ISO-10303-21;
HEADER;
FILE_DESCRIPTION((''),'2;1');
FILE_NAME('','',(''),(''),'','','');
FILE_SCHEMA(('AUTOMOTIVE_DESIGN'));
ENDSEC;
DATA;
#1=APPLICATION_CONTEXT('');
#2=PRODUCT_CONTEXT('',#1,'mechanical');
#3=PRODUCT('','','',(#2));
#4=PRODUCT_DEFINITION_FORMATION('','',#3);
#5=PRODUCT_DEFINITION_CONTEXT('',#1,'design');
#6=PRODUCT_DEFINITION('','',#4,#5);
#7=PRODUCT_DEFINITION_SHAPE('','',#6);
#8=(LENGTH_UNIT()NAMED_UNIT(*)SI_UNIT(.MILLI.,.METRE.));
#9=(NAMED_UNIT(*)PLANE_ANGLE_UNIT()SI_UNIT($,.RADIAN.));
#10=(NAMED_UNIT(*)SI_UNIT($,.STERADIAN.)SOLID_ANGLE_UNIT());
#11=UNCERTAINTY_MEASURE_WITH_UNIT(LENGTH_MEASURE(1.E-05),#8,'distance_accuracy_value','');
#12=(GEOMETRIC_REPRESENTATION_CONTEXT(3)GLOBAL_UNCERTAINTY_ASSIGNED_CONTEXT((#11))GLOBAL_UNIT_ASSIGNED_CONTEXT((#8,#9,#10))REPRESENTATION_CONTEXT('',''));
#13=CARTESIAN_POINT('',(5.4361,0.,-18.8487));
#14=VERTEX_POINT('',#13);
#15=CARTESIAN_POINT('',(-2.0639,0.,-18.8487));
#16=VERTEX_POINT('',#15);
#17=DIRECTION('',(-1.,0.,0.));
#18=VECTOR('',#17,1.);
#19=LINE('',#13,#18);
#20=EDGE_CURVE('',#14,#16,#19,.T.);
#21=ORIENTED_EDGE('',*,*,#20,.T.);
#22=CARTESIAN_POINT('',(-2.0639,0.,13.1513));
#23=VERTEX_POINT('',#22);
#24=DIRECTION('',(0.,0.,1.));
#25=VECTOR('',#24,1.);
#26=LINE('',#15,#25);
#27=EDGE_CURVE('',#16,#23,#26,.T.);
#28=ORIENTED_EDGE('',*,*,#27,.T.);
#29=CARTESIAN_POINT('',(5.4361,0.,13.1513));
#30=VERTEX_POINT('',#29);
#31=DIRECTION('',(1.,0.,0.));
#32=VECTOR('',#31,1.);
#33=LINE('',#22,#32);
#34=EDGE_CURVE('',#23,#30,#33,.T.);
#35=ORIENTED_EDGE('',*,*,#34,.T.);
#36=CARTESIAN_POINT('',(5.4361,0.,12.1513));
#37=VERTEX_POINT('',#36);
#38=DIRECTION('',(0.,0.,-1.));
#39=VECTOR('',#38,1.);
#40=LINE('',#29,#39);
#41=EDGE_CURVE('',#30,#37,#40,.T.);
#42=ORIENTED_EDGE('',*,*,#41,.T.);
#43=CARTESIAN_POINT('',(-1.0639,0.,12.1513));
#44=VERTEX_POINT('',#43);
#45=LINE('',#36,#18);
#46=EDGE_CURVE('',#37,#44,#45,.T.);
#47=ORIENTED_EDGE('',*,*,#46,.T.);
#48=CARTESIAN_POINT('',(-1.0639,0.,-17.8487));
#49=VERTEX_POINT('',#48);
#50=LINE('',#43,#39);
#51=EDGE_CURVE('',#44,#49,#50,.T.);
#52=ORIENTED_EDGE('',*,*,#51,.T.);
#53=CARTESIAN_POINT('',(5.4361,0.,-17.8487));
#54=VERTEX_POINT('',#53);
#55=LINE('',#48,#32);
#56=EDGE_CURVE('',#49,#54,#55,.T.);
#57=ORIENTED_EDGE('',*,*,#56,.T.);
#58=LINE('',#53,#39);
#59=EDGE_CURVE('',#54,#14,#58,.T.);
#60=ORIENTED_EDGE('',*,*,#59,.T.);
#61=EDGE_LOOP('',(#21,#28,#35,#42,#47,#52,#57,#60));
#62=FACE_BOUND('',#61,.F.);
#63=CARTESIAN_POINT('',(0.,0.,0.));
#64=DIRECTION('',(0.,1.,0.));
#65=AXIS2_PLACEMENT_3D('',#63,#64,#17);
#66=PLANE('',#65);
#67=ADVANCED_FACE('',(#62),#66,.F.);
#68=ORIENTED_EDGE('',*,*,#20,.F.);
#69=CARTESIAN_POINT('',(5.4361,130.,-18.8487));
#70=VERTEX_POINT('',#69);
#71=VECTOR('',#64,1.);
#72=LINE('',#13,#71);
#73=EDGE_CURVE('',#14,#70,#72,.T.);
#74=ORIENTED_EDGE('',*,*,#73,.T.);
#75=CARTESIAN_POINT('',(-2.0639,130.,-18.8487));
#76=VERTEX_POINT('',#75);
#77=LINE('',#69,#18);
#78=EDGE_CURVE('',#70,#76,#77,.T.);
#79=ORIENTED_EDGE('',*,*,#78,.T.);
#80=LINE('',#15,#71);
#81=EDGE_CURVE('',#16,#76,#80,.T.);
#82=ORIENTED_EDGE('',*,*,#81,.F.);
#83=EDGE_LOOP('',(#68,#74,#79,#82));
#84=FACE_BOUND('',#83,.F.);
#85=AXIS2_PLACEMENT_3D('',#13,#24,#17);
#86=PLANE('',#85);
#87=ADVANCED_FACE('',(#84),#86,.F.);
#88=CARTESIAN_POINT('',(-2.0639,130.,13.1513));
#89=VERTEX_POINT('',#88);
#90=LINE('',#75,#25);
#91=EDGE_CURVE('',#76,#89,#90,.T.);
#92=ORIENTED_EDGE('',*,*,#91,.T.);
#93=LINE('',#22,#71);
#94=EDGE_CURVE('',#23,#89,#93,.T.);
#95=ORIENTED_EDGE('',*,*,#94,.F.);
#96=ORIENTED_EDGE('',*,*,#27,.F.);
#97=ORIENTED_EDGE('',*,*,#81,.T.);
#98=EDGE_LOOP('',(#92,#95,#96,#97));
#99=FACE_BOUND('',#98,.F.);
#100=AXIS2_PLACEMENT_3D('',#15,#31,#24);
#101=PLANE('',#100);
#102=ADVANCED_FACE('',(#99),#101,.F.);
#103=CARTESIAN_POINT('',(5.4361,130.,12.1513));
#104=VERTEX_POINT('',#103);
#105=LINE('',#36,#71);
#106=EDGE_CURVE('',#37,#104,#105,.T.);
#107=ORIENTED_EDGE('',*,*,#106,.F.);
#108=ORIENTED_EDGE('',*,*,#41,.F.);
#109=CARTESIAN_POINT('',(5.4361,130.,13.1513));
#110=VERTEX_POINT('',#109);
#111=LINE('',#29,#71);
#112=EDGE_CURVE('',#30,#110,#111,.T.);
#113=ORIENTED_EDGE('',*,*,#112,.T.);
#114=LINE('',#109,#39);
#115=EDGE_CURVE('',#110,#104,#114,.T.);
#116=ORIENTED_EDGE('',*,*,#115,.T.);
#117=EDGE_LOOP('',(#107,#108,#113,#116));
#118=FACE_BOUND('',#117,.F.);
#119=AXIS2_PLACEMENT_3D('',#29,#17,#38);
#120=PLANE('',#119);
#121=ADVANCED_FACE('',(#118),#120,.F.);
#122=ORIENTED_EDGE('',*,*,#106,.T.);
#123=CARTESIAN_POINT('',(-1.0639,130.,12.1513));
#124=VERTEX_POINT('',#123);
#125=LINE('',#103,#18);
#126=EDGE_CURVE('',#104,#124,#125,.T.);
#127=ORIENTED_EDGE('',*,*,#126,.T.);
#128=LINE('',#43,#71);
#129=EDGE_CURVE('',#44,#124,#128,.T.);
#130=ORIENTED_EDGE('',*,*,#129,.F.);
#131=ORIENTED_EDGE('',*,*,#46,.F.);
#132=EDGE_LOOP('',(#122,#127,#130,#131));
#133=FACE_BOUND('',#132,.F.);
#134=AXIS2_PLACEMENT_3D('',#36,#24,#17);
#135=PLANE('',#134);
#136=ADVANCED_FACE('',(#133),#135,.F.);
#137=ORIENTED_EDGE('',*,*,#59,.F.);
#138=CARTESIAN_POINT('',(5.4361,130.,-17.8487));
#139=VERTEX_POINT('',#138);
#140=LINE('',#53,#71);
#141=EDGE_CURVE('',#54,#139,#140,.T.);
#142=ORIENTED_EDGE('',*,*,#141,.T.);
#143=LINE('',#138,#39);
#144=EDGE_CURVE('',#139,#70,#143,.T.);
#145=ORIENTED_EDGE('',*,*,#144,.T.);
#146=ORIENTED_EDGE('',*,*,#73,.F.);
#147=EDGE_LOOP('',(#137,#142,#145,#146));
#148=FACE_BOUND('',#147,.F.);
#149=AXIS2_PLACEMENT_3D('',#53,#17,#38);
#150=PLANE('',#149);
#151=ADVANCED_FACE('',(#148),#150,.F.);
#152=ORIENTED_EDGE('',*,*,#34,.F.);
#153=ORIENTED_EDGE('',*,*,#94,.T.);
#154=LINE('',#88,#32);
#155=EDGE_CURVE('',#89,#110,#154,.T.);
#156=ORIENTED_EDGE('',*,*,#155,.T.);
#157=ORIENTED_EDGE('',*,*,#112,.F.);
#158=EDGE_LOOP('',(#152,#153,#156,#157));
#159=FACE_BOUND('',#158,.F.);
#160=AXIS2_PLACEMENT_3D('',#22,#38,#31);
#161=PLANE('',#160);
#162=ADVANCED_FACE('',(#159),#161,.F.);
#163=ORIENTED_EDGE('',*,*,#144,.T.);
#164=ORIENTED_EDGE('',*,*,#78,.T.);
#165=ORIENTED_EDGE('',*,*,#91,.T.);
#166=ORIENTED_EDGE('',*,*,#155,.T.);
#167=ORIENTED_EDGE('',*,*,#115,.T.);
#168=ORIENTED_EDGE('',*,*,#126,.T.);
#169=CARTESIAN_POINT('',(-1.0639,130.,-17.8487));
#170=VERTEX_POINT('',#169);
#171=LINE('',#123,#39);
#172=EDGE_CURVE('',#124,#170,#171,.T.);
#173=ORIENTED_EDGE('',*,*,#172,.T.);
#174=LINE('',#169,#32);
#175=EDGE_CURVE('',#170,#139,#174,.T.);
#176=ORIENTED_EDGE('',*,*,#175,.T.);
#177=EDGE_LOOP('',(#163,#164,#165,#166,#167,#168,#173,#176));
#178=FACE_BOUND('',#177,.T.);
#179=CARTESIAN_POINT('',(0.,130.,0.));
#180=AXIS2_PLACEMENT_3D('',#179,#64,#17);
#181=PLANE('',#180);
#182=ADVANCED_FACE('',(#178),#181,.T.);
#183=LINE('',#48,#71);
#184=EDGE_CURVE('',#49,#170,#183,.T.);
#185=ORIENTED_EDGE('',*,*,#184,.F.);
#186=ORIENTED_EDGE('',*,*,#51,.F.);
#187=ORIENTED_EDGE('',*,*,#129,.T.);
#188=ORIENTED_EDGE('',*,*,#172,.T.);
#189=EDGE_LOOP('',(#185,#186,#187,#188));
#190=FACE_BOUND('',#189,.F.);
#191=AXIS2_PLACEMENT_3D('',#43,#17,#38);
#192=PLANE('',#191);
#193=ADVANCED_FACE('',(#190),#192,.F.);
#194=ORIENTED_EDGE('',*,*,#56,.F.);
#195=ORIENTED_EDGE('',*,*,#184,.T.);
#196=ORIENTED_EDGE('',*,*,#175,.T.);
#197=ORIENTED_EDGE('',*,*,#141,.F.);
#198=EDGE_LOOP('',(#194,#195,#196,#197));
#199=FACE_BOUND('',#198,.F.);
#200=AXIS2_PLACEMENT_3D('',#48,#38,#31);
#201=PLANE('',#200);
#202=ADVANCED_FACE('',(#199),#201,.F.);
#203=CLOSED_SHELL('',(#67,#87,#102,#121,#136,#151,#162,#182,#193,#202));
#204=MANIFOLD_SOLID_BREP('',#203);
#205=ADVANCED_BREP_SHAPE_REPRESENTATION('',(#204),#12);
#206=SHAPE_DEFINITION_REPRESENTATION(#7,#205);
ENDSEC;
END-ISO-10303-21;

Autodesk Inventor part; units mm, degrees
ref_plane "YZ Plane" through (0, 0, 0) normal (1, 0, 0) x (0, 1, 0)
ref_plane "XZ Plane" through (0, 0, 0) normal (0, 1, 0) x (-1, 0, 0)
ref_plane "XY Plane" through (0, 0, 0) normal (0, 0, 1) x (1, 0, 0)
sketch "Boceto1" plane through (0, 0, 0) normal (0, 1, 0) x (-1, 0, 0)
  line L0 (-5.4361, 12.1513) -> (1.0639, 12.1513)
  line L1 (1.0639, 12.1513) -> (1.0639, -17.8487)
  line L2 (1.0639, -17.8487) -> (-5.4361, -17.8487)
  line L3 (-5.4361, -17.8487) -> (-5.4361, -18.8487)
  line L4 (-5.4361, -18.8487) -> (2.0639, -18.8487)
  line L5 (2.0639, -18.8487) -> (2.0639, 13.1513)
  line L6 (2.0639, 13.1513) -> (-5.4361, 13.1513)
  line L7 (-5.4361, 13.1513) -> (-5.4361, 12.1513)
  point P0 (0, 0)
  point P1 (0, 0)
  dimension "d0" = 6.5
  dimension "d1" = 30
  dimension "d2" = 1
  dimension "d3" = 7.5
  dimension "d4" = 32
extrude "Extrusión1" add sketch "Boceto1" along normal blind 130
properties part number "Tapa cable canal 130mm"
